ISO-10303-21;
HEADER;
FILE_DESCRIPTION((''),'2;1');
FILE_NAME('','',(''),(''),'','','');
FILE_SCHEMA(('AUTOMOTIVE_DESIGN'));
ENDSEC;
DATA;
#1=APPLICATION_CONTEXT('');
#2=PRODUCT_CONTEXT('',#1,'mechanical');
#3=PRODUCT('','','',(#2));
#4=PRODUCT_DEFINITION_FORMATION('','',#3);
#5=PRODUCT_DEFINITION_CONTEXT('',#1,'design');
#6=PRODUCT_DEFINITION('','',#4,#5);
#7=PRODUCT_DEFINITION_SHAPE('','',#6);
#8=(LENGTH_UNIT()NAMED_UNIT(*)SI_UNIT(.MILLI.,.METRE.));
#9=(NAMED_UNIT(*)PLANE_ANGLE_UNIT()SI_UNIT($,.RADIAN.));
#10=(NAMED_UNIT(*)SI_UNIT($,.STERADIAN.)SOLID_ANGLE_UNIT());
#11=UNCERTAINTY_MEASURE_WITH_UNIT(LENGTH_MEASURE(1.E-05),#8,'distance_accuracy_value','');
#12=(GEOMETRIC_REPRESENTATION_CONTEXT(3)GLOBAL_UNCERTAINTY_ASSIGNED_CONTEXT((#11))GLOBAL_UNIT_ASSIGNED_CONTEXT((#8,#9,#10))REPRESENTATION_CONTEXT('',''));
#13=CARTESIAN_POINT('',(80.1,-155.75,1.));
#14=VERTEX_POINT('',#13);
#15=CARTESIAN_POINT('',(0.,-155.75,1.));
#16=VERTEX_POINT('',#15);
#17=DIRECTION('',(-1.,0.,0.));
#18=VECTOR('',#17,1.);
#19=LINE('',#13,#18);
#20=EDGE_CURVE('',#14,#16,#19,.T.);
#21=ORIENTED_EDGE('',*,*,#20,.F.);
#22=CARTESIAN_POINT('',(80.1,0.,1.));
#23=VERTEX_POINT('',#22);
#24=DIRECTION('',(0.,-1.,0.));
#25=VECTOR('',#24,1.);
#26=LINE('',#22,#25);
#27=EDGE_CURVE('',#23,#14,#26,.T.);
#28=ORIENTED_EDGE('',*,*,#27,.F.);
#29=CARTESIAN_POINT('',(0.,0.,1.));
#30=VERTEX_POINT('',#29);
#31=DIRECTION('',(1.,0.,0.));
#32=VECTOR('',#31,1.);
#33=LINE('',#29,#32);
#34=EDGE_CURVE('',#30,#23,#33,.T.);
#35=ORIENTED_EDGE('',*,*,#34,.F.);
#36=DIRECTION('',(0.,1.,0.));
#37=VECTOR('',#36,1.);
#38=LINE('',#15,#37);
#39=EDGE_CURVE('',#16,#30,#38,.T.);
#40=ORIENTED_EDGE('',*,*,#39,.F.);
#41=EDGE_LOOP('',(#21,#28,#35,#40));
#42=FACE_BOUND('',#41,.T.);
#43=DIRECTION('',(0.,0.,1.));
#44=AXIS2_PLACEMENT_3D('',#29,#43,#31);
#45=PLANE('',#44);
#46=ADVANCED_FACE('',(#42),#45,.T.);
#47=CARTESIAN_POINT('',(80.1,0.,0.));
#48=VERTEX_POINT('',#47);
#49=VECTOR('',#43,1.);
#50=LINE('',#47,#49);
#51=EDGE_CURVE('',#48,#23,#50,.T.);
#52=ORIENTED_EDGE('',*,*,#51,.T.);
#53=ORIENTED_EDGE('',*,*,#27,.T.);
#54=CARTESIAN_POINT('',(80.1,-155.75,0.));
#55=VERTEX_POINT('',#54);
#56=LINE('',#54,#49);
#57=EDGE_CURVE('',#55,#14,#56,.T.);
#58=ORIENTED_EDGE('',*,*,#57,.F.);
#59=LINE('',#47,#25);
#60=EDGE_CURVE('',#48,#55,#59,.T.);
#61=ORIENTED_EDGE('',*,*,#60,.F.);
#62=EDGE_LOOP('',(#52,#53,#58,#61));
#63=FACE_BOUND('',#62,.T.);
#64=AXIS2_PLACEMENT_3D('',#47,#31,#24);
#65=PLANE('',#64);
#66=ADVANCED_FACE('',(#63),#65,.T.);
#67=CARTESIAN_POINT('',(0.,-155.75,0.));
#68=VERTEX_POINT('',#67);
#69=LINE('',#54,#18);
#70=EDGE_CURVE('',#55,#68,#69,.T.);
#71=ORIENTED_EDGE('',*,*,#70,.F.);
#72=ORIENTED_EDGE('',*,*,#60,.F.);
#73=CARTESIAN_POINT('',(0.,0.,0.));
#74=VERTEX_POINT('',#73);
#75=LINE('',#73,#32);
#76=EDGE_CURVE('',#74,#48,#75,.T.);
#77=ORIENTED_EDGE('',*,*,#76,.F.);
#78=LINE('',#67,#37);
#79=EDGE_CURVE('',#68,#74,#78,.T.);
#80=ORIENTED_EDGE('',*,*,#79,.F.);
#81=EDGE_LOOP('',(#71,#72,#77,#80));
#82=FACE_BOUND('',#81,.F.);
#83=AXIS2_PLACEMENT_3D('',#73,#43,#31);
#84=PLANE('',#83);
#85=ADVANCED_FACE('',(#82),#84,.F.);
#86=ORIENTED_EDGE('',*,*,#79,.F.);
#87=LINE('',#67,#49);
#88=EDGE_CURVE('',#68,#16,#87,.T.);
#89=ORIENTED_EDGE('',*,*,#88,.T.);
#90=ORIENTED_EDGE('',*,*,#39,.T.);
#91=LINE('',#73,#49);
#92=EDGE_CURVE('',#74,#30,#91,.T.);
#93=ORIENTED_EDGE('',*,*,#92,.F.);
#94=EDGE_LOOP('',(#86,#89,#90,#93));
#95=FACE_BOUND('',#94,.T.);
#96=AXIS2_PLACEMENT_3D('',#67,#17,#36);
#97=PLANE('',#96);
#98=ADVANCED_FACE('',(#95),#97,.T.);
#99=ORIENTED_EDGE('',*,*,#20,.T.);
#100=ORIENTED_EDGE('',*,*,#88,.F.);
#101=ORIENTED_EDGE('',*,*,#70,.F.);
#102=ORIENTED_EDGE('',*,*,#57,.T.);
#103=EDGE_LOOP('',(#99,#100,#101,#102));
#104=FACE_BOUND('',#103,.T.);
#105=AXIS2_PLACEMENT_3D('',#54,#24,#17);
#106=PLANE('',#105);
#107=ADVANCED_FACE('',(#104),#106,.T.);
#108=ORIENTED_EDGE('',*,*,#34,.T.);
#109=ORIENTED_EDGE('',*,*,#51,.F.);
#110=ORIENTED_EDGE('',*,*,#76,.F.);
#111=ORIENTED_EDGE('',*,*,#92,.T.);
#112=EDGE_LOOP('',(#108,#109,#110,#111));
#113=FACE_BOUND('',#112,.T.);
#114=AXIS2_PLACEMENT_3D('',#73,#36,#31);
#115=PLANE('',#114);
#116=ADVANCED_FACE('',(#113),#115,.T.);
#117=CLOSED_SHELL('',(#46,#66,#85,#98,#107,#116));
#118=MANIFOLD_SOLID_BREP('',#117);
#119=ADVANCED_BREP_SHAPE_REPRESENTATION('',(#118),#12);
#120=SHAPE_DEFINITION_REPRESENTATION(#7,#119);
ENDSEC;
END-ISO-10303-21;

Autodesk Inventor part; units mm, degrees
ref_plane "YZ Plane" through (0, 0, 0) normal (1, 0, 0) x (0, 1, 0)
ref_plane "XZ Plane" through (0, 0, 0) normal (0, 1, 0) x (-1, 0, 0)
ref_plane "XY Plane" through (0, 0, 0) normal (0, 0, 1) x (1, 0, 0)
sketch "スケッチ1" plane through (0, 0, 0) normal (0, 0, 1) x (1, 0, 0)
  line L0 (0, 0) -> (80.1, 0)
  line L1 (80.1, 0) -> (80.1, -155.75)
  line L2 (80.1, -155.75) -> (0, -155.75)
  line L3 (0, -155.75) -> (0, 0)
  dimension "d0" = 155.75
  dimension "d1" = 80.1
extrude "押し出し1" add sketch "スケッチ1" along normal blind 1
properties part number "Base_Dummy"
